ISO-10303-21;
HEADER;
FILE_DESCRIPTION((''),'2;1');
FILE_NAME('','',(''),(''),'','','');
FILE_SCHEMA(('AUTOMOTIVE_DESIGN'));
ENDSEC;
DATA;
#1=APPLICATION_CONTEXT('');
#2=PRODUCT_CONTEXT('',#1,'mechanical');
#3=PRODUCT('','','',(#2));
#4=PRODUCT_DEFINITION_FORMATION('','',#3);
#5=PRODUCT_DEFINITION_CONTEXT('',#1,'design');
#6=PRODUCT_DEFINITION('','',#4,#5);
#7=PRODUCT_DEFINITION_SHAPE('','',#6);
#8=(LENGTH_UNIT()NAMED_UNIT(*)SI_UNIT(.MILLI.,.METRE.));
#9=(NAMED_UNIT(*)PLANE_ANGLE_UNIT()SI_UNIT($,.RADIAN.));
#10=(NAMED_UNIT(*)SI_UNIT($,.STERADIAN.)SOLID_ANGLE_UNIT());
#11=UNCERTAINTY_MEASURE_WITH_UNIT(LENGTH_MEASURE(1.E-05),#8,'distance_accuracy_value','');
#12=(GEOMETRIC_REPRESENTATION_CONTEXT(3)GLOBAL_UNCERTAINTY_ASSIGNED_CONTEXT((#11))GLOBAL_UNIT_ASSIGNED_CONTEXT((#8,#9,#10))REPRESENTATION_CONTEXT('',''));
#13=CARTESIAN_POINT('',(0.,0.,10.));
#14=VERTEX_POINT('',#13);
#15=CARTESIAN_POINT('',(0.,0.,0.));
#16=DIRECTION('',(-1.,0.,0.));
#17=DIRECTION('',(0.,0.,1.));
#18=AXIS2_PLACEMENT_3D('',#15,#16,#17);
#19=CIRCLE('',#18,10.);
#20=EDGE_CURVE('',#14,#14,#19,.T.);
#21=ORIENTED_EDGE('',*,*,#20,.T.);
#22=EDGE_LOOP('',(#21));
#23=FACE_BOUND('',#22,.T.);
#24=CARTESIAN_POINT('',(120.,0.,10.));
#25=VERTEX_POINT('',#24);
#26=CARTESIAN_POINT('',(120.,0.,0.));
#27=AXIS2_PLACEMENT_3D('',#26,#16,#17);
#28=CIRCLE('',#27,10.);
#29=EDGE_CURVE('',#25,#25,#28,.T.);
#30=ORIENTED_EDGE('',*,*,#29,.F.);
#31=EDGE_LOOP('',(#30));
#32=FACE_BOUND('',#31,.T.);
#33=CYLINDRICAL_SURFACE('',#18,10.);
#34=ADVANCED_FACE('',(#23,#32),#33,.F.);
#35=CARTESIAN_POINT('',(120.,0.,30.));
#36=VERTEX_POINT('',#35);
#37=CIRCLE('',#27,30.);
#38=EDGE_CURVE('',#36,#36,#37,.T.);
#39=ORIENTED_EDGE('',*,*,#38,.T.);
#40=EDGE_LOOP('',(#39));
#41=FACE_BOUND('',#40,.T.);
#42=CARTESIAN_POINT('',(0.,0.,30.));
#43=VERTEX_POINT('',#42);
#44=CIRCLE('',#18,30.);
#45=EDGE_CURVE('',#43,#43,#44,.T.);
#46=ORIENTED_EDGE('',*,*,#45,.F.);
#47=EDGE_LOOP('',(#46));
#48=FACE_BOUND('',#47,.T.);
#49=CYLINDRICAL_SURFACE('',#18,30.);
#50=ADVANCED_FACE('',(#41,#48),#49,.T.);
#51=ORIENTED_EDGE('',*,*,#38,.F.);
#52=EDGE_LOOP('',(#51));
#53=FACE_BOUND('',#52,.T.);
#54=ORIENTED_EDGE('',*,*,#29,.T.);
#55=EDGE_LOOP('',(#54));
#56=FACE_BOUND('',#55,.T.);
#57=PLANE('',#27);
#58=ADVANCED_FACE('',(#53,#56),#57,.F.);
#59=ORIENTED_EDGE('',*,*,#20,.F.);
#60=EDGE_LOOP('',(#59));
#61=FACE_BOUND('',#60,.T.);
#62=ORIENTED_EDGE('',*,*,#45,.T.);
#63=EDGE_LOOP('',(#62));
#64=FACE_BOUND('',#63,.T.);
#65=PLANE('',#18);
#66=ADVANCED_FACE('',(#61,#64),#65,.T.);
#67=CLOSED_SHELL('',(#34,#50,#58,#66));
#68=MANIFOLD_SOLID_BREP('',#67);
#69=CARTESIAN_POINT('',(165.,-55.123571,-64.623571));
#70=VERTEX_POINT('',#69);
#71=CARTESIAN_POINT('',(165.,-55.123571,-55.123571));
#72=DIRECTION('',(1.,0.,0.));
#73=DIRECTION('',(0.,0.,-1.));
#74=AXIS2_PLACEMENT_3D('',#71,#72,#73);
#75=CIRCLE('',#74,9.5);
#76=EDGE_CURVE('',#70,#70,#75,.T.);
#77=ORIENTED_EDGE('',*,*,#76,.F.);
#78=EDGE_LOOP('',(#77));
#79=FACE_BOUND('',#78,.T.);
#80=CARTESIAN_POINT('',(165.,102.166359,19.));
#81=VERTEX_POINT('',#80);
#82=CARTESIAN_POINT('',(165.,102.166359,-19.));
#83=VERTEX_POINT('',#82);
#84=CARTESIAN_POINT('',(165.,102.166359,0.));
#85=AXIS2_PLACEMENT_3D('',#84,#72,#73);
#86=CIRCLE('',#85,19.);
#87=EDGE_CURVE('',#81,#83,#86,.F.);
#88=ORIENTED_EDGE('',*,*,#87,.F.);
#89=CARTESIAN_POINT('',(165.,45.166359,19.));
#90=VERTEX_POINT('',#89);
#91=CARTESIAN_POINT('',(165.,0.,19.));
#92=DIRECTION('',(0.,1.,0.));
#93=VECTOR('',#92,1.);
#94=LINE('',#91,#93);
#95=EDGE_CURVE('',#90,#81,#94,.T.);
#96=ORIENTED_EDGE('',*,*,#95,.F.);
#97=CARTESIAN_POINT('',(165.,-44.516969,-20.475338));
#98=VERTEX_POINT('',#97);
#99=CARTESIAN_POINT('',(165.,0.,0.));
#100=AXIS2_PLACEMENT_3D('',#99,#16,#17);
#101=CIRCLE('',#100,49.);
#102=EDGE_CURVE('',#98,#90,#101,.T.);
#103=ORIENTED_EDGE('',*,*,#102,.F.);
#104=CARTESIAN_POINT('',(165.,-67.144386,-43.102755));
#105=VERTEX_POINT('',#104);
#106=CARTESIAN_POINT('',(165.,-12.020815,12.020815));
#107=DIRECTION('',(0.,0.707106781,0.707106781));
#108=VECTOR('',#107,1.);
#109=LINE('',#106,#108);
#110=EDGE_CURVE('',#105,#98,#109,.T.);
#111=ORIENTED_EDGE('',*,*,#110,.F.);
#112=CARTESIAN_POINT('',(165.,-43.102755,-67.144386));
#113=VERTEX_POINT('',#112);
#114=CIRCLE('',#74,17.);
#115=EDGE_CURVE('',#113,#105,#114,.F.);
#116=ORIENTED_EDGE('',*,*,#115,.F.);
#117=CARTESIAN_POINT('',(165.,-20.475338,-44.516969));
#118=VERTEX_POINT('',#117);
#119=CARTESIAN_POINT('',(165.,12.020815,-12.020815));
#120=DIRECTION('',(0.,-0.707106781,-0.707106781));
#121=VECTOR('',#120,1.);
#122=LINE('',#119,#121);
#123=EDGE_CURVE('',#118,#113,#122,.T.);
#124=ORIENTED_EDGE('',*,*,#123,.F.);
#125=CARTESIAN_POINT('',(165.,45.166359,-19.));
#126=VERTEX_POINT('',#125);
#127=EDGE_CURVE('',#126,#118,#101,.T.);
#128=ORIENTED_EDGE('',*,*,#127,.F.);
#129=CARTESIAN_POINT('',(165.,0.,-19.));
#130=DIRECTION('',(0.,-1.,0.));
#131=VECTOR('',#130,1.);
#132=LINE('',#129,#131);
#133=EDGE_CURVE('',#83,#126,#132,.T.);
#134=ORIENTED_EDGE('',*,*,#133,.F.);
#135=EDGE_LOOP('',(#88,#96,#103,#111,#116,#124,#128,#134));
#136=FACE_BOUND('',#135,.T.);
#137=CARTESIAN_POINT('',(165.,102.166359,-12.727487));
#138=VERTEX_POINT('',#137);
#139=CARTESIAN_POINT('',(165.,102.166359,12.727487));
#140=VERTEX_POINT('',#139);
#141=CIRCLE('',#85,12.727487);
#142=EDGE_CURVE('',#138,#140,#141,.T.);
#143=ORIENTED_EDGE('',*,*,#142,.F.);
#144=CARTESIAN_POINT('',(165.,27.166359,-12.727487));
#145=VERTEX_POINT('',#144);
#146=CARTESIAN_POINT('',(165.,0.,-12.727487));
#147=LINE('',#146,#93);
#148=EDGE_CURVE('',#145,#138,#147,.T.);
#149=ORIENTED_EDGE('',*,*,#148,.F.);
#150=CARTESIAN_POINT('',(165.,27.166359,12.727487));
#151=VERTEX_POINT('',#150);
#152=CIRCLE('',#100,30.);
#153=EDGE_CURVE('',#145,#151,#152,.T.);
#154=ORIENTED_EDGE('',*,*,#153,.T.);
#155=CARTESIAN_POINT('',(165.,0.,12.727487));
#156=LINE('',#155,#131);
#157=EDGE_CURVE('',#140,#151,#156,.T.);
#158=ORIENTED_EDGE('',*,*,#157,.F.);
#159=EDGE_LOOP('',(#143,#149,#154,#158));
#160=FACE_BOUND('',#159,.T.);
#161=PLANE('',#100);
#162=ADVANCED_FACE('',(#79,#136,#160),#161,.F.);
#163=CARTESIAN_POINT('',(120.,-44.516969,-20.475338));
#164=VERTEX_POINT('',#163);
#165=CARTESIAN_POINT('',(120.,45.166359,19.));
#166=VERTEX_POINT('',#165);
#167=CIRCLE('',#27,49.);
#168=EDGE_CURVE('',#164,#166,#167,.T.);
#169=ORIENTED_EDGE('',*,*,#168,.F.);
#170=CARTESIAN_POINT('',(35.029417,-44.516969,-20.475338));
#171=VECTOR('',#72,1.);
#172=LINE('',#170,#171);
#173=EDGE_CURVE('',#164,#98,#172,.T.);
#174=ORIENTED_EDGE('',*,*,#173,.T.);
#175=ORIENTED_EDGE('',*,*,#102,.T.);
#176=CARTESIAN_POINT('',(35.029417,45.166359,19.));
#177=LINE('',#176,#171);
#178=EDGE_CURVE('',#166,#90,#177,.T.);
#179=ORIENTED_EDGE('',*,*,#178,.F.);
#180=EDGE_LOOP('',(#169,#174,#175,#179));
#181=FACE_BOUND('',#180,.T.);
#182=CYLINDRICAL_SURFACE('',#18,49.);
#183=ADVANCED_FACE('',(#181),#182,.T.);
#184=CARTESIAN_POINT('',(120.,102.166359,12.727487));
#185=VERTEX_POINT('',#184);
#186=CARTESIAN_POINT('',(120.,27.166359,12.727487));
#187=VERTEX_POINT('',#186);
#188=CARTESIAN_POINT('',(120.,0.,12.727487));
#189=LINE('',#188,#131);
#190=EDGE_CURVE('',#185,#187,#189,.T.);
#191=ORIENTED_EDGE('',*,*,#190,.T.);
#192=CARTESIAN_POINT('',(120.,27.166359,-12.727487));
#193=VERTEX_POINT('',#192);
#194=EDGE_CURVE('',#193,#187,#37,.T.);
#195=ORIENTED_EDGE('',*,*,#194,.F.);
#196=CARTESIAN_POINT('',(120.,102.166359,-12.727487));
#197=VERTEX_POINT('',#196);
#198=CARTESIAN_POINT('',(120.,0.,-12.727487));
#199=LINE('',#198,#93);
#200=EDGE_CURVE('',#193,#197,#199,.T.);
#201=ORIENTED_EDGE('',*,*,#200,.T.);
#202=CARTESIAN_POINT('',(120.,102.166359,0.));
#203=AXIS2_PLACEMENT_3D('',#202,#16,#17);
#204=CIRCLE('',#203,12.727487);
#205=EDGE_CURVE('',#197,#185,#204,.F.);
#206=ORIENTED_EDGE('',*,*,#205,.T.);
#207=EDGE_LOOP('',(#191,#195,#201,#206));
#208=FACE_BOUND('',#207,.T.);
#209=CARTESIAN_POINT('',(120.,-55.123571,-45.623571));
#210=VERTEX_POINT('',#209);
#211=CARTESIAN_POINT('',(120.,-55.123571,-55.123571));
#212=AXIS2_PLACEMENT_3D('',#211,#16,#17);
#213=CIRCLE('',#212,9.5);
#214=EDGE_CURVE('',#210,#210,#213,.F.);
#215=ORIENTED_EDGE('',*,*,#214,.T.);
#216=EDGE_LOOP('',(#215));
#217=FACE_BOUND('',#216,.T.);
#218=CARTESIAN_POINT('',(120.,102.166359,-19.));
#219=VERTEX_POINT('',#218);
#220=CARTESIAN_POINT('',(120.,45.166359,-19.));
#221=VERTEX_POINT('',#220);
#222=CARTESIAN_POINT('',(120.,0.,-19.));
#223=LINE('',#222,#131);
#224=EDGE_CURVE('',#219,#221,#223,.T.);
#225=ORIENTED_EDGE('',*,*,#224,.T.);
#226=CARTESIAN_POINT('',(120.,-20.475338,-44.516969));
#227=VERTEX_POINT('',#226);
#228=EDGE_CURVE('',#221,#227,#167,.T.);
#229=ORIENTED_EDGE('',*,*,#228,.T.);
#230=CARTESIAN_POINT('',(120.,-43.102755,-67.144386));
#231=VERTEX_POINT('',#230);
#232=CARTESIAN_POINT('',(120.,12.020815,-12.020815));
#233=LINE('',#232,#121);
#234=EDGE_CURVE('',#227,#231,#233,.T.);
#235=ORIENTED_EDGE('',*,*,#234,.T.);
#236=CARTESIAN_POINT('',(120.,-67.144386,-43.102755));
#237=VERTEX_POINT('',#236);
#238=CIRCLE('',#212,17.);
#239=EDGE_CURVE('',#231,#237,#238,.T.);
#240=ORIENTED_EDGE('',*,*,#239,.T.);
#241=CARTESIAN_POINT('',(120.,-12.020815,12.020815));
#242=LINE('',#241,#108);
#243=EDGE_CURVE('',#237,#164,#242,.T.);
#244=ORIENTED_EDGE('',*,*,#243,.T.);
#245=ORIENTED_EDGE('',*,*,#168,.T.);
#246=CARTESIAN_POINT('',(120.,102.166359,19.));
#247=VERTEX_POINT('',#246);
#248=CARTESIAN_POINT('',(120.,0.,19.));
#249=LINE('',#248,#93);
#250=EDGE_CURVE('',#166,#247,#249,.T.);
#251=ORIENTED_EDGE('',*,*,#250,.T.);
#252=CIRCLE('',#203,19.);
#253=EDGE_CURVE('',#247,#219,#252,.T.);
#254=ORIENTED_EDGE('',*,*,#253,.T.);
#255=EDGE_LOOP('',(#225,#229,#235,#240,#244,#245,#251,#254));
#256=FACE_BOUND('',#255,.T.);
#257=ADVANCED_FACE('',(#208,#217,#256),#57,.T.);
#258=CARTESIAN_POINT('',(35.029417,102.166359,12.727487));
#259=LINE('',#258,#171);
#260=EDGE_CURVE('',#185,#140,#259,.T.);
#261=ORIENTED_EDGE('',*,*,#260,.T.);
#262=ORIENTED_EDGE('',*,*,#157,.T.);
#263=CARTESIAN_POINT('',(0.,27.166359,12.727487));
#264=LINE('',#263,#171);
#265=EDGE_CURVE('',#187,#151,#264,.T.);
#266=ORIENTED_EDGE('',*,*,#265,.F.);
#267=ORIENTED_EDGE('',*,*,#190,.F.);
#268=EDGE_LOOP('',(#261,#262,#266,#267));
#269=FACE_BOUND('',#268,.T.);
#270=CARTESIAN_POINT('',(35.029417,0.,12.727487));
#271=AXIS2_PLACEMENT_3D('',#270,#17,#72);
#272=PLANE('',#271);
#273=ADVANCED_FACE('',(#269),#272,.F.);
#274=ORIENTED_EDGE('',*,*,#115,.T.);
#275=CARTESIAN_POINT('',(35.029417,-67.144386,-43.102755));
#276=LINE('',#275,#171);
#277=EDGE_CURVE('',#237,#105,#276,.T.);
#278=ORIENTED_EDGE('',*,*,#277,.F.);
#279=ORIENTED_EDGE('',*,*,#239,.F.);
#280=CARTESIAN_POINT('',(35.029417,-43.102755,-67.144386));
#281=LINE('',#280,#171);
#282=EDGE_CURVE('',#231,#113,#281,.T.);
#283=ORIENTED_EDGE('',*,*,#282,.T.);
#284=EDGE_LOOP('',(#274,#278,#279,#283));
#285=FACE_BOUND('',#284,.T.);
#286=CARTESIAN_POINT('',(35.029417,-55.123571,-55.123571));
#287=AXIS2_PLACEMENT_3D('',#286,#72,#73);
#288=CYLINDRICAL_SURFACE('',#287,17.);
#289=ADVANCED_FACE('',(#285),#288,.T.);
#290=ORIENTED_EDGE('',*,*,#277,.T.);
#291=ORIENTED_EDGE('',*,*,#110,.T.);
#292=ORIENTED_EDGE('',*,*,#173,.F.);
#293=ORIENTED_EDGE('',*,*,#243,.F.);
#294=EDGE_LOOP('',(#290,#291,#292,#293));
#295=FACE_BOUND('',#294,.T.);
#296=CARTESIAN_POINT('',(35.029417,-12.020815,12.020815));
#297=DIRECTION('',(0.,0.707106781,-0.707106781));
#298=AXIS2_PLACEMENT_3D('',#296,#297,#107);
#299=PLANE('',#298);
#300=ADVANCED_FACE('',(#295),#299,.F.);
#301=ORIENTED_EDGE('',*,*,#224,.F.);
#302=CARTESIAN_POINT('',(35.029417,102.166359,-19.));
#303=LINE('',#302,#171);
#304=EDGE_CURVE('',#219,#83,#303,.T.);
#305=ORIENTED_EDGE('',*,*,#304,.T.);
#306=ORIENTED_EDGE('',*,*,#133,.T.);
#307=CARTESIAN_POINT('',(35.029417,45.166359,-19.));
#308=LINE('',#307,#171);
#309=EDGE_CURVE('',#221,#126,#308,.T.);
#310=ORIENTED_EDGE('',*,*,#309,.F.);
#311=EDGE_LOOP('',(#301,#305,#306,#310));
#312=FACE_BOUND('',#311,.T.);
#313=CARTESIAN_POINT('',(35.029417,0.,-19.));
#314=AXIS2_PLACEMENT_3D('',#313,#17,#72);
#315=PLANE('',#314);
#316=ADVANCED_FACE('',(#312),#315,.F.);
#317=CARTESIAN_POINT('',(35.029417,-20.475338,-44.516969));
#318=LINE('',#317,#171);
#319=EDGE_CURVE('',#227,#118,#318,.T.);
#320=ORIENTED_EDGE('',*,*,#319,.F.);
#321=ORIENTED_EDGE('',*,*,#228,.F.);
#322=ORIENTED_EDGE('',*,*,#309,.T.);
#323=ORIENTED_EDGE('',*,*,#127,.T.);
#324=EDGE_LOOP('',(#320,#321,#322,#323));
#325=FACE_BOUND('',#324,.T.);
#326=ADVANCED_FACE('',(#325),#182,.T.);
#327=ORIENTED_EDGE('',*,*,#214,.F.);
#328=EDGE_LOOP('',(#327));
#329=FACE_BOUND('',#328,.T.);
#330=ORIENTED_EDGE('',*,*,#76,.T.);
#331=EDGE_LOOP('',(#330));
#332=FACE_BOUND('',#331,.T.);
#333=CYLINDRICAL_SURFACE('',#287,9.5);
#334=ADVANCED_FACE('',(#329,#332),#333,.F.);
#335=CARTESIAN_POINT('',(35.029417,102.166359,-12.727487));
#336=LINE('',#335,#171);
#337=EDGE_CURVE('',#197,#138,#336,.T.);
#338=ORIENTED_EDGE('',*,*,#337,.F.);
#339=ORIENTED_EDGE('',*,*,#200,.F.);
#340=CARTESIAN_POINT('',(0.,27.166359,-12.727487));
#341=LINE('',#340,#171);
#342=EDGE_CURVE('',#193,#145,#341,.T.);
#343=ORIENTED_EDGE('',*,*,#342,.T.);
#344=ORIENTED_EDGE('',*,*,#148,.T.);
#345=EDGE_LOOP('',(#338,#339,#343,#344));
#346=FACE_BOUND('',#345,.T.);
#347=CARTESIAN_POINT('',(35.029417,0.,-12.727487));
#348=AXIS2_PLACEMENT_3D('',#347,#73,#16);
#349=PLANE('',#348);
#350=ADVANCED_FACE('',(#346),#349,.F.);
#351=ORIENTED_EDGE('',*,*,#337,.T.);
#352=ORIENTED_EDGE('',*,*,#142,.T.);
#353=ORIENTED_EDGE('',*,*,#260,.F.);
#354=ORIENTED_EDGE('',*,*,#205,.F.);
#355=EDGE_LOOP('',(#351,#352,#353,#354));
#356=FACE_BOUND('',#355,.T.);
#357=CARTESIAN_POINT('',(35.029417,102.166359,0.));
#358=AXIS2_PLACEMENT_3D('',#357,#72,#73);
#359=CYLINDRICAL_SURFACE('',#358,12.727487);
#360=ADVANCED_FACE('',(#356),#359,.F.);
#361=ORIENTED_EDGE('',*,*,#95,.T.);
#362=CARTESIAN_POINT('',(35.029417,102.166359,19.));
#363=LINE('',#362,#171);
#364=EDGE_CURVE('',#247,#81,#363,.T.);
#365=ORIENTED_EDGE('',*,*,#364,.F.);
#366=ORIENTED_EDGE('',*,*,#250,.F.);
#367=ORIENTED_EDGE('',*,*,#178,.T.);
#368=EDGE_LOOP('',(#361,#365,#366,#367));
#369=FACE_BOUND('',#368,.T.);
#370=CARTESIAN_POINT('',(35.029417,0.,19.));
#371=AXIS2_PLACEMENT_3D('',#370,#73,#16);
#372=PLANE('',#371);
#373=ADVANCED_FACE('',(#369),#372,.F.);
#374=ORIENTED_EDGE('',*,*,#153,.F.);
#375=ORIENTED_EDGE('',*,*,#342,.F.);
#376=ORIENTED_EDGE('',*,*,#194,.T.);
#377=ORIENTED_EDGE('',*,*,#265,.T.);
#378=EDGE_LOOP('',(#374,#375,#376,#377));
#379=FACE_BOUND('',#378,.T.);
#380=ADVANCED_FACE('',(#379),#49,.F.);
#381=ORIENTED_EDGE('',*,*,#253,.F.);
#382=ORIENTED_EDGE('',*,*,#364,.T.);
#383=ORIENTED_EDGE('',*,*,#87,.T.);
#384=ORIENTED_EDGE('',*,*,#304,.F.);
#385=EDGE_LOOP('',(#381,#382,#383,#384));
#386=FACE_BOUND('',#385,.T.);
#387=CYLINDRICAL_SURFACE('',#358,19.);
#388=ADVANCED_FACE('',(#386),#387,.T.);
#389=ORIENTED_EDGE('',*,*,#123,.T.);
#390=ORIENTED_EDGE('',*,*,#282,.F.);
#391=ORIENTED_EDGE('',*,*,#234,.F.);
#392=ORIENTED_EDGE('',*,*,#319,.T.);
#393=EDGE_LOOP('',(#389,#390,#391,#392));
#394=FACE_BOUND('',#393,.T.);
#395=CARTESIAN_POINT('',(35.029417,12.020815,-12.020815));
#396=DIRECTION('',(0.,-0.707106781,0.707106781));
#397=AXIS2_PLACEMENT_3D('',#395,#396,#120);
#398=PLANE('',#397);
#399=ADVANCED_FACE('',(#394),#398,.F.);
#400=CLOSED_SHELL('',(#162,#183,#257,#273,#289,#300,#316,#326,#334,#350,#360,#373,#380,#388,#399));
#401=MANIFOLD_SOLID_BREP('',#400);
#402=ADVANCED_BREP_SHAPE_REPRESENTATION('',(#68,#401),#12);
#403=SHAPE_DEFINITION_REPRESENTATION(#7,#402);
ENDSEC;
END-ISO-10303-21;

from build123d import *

# Parameters (mm, degrees)
SKETCH_1_W          = 120
SKETCH_1_H          = 20
SKETCH_1_W_2        = 45
SKETCH_1_H_2        = 19
SKETCH_2_R          = 9.5
EXTRUDE_1_DEPTH     = 45
CUT_EXTRUDE_1_DEPTH = 218.043995612


with BuildPart() as part:
    # Эскиз1 → Повернуть1 (revolve)
    with BuildSketch(Plane.XY, mode=Mode.PRIVATE) as revolve_1_sk:
        with Locations((60, -20)):
            Rectangle(SKETCH_1_W, SKETCH_1_H)
        with Locations((142.5, -39.5)):
            Rectangle(SKETCH_1_W_2, SKETCH_1_H_2)
    revolve(revolve_1_sk.sketch.rotate(Axis((0, 0, 0), (1, 0, 0)), 270), axis=Axis((0, 0, 0), (1, 0, 0)))

    # Эскиз2 → Бобышка-Вытянуть1 (add)
    # profile 1 of 2: a face of its own
    with BuildSketch(Plane(origin=(165, 0, 0), x_dir=(0, 0, -1), z_dir=(1, 0, 0))):
        with BuildLine():
            Line((-19, 102.166359163), (-19, 45.166359163))
            ThreePointArc((-19, 45.166359163), (-15.900187239, 46.348506403), (-12.727487177, 47.318189633))
            Line((-12.727487177, 47.318189633), (-12.727487177, 102.166359163))
            ThreePointArc((-12.727487177, 102.166359163), (0, 114.89384634), (12.727487177, 102.166359163))
            Line((12.727487177, 102.166359163), (12.727487177, 47.318189633))
            ThreePointArc((12.727487177, 47.318189633), (15.900187239, 46.348506403), (19, 45.166359163))
            Line((19, 45.166359163), (19, 102.166359163))
            ThreePointArc((19, 102.166359163), (0, 121.166359163), (-19, 102.166359163))
        make_face()
    # profile 2 of 2: a face of its own
    with BuildSketch(Plane(origin=(165, 0, 0), x_dir=(0, 0, -1), z_dir=(1, 0, 0))):
        with BuildLine():
            ThreePointArc((44.516968899, -20.475338338), (34.648232278, -34.648232278), (20.475338338, -44.516968899))
            Line((20.475338338, -44.516968899), (43.102755336, -67.144385897))
            ThreePointArc((43.102755336, -67.144385897), (67.144385897, -67.144385897), (67.144385897, -43.102755336))
            Line((67.144385897, -43.102755336), (44.516968899, -20.475338338))
        make_face()
        with Locations((55.123570617, -55.123570617)):
            Circle(SKETCH_2_R, mode=Mode.SUBTRACT)
    extrude(amount=-EXTRUDE_1_DEPTH)

    # Эскиз2<4> → Вырез-Вытянуть1 (cut, through all)
    with BuildSketch(Plane(origin=(165, 0, 0), x_dir=(0, 0, -1), z_dir=(1, 0, 0))):
        with BuildLine():
            ThreePointArc((12.727487177, 47.318189633), (0, 49), (-12.727487177, 47.318189633))
            Line((-12.727487177, 47.318189633), (-12.727487177, 27.166359163))
            ThreePointArc((-12.727487177, 27.166359163), (0, 30), (12.727487177, 27.166359163))
            Line((12.727487177, 27.166359163), (12.727487177, 47.318189633))
        make_face()
    extrude(amount=-CUT_EXTRUDE_1_DEPTH, mode=Mode.SUBTRACT)


solid = part.part
